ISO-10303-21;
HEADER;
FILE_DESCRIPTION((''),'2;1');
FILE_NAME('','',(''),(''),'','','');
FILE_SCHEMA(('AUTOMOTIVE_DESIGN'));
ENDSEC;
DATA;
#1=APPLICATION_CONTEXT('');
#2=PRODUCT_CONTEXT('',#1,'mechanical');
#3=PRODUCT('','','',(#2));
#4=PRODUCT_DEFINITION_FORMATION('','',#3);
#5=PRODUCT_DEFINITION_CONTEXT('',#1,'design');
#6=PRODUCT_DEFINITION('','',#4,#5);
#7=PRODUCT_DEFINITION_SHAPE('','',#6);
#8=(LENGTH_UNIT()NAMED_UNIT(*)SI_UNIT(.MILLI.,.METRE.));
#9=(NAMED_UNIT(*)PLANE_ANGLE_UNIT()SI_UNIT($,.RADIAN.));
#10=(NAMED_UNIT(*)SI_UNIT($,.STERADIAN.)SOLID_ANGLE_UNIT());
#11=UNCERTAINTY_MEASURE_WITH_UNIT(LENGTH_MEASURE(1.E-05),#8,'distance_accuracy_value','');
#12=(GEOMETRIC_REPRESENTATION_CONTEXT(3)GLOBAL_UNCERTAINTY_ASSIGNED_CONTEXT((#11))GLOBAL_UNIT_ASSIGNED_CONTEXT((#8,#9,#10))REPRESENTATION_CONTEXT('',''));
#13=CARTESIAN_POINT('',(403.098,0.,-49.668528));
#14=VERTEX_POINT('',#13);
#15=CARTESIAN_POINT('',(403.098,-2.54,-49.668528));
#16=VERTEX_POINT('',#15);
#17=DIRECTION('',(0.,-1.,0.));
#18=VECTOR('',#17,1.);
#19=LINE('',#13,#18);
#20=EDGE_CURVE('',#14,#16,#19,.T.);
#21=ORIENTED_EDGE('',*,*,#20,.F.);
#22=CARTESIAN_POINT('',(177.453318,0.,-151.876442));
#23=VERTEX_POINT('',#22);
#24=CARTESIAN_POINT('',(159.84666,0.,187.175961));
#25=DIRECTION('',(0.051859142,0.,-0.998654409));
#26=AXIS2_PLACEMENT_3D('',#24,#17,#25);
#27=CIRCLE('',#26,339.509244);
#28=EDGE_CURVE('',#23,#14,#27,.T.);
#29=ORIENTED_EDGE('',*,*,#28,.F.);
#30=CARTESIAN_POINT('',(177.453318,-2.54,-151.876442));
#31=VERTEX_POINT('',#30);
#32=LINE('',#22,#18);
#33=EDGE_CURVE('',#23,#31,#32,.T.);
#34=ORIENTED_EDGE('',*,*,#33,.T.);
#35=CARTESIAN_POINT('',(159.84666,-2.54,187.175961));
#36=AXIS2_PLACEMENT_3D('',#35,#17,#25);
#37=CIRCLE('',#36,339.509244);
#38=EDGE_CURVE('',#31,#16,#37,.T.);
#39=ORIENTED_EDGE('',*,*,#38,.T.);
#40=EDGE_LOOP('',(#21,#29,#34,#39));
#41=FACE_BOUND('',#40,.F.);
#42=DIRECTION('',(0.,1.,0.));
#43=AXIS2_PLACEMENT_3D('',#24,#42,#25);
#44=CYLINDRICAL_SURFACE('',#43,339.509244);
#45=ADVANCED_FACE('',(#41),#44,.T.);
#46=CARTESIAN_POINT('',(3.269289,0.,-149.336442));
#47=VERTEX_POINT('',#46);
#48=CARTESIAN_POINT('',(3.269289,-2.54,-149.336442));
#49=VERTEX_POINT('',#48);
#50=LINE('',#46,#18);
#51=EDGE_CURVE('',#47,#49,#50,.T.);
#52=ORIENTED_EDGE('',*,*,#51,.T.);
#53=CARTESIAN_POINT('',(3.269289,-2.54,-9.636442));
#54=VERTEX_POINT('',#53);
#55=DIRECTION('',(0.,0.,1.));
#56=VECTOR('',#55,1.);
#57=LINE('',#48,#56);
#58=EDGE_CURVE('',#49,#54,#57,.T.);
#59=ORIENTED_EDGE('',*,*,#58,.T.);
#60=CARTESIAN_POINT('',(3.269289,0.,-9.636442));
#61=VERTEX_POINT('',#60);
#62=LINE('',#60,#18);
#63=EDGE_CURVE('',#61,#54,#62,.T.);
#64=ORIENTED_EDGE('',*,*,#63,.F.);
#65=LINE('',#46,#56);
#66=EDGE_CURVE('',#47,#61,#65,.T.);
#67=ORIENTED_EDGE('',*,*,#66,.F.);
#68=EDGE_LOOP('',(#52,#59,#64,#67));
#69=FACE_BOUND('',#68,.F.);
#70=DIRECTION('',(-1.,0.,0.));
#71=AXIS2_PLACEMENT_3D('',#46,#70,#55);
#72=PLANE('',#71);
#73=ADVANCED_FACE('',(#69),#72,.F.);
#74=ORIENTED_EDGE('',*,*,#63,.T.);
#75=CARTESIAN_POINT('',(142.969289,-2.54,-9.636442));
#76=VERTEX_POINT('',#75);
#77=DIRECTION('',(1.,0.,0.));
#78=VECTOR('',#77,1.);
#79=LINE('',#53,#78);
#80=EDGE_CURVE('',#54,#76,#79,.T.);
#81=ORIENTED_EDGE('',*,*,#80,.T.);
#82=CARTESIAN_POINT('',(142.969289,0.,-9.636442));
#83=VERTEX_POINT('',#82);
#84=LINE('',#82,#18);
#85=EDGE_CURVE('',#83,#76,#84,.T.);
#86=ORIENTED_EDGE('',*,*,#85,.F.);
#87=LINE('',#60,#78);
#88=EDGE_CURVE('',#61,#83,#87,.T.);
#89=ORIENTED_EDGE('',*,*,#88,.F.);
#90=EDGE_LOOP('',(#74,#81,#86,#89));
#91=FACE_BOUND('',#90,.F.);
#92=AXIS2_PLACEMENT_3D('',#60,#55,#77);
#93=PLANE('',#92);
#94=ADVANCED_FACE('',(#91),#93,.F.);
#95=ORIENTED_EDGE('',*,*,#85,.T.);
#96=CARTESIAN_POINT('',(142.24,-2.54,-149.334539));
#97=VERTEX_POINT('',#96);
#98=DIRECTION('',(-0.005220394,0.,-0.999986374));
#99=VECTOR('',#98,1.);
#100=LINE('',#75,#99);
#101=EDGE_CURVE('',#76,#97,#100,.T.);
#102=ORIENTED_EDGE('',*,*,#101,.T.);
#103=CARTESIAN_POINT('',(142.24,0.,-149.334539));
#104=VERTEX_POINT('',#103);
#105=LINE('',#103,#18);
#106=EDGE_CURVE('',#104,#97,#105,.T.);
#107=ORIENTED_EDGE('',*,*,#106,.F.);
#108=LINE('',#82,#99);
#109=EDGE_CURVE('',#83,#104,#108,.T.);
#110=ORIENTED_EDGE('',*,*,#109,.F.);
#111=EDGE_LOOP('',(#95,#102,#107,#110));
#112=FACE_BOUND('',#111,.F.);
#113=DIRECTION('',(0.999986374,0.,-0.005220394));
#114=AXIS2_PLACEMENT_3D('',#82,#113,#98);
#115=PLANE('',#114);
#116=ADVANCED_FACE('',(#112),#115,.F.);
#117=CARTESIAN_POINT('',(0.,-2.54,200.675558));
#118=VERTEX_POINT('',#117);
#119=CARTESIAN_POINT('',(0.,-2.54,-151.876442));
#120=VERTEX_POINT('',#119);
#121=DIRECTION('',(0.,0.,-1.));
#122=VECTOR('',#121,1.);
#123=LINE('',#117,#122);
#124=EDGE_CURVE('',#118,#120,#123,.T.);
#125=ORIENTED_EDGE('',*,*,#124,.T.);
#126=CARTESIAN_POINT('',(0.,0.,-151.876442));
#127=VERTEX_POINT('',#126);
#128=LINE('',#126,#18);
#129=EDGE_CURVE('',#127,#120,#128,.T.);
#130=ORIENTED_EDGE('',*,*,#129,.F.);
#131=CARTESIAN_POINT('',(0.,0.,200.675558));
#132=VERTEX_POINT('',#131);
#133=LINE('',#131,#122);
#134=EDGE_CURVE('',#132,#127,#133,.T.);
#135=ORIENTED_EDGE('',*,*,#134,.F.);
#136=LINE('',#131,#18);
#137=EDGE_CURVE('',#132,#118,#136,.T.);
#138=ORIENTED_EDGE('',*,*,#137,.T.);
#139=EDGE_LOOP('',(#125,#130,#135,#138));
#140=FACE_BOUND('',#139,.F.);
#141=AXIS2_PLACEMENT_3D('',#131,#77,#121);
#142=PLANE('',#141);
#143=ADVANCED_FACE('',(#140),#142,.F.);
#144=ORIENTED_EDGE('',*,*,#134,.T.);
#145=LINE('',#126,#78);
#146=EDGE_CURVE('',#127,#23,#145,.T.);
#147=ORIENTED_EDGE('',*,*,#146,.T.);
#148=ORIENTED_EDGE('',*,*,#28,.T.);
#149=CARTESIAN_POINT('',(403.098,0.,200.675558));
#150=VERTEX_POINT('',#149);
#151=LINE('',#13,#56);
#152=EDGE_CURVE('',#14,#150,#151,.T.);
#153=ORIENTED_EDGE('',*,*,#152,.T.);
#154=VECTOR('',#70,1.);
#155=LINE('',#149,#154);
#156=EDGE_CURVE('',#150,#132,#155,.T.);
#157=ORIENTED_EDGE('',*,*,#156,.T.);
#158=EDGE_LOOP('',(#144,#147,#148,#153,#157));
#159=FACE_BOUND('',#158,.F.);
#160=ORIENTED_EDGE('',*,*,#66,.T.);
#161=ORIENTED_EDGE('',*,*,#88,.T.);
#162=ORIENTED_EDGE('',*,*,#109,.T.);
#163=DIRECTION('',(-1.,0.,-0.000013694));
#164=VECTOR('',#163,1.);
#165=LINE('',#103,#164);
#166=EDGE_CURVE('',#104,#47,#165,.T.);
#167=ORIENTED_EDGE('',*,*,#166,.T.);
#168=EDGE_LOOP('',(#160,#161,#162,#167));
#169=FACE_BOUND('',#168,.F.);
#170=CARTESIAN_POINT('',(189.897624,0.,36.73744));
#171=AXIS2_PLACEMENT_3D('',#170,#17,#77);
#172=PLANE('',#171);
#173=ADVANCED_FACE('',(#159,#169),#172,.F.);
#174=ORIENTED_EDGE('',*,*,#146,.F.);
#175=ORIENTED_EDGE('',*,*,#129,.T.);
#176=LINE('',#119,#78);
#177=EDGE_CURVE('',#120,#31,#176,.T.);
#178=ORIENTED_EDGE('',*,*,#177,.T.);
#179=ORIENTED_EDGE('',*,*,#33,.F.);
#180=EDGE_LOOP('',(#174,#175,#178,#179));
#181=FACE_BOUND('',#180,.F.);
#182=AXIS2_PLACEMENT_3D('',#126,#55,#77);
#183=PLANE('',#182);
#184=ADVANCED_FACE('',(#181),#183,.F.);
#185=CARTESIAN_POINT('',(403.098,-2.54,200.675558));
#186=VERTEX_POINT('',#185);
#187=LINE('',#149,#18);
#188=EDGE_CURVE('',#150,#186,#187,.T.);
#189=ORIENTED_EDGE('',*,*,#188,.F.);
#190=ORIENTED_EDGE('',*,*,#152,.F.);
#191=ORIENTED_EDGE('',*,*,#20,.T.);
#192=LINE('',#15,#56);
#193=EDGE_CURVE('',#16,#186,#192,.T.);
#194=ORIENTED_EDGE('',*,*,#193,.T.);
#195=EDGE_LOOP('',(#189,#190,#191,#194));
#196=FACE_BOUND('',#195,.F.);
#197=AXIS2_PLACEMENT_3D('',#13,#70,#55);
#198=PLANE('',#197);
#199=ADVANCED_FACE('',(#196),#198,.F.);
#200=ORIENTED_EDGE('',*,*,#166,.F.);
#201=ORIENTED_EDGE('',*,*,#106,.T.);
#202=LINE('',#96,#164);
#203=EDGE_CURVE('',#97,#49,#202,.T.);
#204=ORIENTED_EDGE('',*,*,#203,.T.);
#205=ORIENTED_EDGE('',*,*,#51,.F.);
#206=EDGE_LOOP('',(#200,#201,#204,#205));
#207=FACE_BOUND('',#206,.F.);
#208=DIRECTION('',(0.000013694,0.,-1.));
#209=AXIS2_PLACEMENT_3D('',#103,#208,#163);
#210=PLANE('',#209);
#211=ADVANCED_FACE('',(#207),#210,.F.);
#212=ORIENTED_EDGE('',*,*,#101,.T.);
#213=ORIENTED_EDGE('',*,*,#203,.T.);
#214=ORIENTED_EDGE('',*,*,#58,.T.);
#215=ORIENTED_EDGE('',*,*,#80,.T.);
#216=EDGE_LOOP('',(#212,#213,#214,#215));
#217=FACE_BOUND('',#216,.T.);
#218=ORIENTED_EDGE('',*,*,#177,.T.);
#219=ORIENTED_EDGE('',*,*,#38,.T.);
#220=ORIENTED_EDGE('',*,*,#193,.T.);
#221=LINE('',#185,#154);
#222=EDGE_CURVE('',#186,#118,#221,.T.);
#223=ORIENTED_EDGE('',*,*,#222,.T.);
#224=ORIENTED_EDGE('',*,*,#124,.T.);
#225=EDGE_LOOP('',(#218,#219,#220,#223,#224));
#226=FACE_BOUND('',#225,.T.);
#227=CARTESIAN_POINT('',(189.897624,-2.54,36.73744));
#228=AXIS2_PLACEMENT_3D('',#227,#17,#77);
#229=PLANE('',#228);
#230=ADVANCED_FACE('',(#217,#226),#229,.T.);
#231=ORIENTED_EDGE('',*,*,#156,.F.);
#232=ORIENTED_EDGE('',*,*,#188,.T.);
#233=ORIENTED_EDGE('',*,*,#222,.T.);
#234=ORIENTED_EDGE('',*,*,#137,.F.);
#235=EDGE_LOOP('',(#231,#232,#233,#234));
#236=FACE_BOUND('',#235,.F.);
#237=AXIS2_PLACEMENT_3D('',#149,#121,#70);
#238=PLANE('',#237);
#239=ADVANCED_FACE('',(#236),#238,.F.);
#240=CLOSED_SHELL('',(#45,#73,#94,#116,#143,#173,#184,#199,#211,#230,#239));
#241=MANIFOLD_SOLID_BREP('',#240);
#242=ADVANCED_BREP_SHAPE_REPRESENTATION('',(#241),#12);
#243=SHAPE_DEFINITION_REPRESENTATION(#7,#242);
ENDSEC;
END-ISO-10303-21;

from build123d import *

# Parameters (mm, degrees)
F1_DEPTH = 2.54


with BuildPart() as f1:
    # F0 (on Front) → F1 (new body)
    with BuildSketch(Plane.XZ):
        with BuildLine():
            Line((403.098, 200.675558), (0, 200.675558))
            Line((0, 200.675558), (0, -151.876442))
            Line((0, -151.876442), (142.24, -151.876442))
            Line((142.24, -151.876442), (177.453318, -151.876442))
            ThreePointArc((177.453318, -151.876442), (299.929986, -122.086368), (403.098, -49.668528))
            Line((403.098, -49.668528), (403.098, -45.196442))
            Line((403.098, -45.196442), (403.098, 200.675558))
        make_face()
        Polygon((142.969289, -9.636442), (142.24, -149.334539), (3.269289, -149.336442), (3.269289, -9.636442), align=None, mode=Mode.SUBTRACT)
    extrude(amount=F1_DEPTH)


solid = f1.part
